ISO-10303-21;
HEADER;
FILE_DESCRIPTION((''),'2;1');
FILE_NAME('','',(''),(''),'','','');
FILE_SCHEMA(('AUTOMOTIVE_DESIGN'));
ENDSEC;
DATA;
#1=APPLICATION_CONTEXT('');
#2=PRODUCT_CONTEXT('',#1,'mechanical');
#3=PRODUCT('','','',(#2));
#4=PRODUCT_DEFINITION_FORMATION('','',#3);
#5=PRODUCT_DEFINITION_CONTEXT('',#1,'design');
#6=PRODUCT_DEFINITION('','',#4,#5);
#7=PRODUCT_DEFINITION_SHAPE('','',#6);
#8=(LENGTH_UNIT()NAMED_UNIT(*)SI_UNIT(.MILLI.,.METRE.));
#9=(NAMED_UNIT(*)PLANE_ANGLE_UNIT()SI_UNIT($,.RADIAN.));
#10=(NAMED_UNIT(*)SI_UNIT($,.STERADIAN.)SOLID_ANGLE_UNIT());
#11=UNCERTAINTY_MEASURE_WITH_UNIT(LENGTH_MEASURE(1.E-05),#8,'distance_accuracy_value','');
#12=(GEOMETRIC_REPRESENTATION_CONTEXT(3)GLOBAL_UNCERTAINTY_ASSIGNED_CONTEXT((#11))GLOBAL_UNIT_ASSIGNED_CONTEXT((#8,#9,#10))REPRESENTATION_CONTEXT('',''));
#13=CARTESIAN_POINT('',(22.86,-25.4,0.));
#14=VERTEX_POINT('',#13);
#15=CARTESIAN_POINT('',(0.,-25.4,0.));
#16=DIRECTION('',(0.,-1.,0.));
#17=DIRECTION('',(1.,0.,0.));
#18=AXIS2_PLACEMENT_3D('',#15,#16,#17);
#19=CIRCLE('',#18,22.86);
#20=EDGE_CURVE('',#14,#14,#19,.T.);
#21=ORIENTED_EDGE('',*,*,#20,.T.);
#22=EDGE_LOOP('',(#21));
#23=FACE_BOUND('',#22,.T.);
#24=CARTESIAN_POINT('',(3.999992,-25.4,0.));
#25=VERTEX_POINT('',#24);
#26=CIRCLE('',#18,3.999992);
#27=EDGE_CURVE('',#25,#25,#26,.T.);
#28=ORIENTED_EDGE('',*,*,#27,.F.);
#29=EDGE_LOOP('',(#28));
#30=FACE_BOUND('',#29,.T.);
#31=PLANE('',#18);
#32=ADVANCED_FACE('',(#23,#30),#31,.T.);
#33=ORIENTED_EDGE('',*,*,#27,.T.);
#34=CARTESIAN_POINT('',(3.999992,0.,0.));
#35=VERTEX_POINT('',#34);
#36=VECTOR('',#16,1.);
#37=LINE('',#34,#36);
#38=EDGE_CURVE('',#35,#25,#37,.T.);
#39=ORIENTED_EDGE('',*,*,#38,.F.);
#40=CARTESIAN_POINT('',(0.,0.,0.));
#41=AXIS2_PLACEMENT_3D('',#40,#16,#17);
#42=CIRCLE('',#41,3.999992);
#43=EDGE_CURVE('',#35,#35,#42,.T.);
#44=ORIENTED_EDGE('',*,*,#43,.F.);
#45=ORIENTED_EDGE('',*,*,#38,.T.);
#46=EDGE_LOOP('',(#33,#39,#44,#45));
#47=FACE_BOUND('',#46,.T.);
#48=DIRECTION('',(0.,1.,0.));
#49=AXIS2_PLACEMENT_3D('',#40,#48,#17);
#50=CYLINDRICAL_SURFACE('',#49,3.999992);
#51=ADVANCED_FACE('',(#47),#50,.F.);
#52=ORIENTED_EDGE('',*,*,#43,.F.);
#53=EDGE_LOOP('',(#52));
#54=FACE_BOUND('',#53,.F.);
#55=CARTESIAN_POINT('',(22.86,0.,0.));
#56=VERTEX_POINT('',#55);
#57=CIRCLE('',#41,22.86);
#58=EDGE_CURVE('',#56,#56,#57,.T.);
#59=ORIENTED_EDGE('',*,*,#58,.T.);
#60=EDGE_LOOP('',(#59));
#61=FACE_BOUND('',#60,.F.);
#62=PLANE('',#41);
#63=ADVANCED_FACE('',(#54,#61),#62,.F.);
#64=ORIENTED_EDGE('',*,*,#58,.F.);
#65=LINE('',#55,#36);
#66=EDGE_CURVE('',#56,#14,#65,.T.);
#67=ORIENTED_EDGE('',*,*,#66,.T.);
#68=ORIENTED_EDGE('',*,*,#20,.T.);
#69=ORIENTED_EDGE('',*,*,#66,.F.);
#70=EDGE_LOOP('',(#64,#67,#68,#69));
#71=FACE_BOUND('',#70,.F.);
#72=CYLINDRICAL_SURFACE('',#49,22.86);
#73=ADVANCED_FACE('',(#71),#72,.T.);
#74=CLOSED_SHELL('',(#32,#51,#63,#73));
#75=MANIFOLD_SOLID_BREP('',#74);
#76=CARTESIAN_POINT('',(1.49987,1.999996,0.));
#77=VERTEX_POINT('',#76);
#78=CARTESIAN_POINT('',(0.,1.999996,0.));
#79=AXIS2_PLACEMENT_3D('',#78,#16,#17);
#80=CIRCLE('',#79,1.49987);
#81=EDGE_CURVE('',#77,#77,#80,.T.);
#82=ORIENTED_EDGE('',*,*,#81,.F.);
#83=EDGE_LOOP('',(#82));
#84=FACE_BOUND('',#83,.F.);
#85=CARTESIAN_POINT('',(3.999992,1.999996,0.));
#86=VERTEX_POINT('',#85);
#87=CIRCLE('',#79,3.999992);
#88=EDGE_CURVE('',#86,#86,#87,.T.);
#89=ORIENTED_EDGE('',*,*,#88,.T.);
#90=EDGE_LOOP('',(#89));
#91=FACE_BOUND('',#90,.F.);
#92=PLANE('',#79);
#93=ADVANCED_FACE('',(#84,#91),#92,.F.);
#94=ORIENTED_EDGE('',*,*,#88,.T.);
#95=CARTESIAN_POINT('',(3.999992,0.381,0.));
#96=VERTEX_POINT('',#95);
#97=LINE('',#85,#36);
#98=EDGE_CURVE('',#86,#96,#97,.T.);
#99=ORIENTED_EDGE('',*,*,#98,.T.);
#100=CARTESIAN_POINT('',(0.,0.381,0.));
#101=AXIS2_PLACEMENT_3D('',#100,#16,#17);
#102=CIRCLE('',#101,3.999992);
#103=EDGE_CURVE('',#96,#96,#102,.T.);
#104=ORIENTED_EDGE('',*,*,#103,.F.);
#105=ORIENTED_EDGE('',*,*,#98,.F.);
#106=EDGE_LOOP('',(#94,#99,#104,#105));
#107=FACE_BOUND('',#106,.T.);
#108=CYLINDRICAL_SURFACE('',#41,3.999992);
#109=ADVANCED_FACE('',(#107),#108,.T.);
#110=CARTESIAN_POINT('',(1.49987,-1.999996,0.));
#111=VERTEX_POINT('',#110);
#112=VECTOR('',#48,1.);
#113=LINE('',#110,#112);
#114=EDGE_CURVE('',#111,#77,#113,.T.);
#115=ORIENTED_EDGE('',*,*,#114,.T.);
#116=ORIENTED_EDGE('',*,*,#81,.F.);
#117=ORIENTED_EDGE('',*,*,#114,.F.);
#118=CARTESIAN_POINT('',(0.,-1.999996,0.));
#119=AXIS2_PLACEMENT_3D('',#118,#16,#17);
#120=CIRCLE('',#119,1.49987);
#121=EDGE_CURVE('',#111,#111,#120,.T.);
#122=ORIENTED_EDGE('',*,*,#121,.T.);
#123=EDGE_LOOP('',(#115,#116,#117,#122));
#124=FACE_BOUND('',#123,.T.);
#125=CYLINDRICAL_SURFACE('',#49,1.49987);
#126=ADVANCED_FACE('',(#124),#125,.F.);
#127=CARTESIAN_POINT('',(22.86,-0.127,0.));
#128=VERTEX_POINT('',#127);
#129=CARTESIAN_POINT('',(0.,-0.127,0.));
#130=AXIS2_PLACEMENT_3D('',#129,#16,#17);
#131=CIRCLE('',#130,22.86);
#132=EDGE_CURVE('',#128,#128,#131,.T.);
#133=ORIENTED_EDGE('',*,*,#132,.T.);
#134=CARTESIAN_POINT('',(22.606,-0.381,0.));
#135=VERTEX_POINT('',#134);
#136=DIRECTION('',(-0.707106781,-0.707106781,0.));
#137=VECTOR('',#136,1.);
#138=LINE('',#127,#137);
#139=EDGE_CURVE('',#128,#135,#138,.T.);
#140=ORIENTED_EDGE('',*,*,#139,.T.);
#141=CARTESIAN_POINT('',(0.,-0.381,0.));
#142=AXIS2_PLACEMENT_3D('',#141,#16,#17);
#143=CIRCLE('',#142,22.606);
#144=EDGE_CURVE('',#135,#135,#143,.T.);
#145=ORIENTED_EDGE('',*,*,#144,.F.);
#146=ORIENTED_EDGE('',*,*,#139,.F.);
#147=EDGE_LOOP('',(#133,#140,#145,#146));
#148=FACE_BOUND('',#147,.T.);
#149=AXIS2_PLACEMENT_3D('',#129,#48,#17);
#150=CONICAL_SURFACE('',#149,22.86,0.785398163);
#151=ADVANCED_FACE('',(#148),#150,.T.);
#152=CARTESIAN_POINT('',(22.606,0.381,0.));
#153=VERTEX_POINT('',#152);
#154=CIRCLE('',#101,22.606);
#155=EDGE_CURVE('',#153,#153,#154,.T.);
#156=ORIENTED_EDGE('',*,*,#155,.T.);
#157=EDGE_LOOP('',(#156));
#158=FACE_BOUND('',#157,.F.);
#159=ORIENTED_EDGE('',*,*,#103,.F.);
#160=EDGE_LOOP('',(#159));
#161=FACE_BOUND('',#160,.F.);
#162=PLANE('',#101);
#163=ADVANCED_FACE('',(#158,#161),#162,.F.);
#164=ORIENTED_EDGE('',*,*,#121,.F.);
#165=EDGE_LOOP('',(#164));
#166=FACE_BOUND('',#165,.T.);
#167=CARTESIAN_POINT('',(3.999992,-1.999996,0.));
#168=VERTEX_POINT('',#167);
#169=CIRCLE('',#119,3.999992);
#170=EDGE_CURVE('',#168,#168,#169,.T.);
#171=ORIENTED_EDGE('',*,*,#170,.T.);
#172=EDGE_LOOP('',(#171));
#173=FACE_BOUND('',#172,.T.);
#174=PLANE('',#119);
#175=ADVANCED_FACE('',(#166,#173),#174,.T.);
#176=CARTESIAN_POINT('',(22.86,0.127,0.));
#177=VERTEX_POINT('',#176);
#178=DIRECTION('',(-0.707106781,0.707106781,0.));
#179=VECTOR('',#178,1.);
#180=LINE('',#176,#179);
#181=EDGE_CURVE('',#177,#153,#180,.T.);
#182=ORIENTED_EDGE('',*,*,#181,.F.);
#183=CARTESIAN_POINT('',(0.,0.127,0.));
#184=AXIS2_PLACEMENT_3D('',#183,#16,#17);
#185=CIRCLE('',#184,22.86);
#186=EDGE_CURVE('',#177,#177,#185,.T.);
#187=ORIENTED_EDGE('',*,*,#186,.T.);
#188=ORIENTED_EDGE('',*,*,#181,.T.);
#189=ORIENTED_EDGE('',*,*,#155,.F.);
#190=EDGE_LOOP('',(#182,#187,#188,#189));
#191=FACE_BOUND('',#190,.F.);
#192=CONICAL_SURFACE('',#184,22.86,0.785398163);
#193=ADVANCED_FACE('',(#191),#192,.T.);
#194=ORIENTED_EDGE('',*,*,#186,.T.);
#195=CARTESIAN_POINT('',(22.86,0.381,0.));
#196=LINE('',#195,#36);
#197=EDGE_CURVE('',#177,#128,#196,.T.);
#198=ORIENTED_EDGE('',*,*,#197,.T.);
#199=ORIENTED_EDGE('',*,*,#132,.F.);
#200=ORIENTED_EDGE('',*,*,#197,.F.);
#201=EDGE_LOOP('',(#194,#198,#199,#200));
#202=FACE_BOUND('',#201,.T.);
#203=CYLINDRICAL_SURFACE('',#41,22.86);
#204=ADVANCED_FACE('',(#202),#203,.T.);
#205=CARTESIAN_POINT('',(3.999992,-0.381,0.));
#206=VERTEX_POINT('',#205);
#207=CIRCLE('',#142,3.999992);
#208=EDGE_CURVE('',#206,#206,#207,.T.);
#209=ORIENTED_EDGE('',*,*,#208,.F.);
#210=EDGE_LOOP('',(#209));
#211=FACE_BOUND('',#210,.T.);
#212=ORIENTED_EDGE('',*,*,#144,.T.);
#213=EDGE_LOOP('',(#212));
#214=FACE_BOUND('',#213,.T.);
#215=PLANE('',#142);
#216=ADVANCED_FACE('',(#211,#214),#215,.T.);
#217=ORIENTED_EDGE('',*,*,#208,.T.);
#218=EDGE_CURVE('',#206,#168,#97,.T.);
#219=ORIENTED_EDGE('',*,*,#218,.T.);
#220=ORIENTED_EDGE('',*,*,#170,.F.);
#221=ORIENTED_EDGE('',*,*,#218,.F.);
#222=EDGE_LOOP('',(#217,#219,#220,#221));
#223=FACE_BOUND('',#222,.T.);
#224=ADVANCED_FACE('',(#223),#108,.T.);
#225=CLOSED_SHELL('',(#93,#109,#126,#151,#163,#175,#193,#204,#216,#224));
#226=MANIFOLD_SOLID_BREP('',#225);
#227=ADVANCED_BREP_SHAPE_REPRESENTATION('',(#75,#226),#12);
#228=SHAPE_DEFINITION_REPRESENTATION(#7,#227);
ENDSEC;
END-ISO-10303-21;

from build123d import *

# Parameters (mm, degrees)
F0_R     = 22.86
F0_R_2   = 3.999992
F1_DEPTH = 0.381
F2_SIZE  = 0.254
F3_R     = 3.999992
F3_R_2   = 1.49987
F4_DEPTH = 1.999996
F5_DEPTH = 25.4


with BuildPart() as f1:
    # F0 (on Front) → F1 (new body, symmetric)
    with BuildSketch(Plane.XZ):
        Circle(F0_R)
        Circle(F0_R_2, mode=Mode.SUBTRACT)
    extrude(amount=F1_DEPTH, both=True)

    # F2
    f2_edges = [f1.edges().sort_by_distance(p)[0] for p in [
        (-22.86, -0.381, 0),
        (-22.86, 0.381, 0),
    ]]
    chamfer(f2_edges, length=F2_SIZE)

    # F3 (on Front) → F4 (join, symmetric)
    with BuildSketch(Plane.XZ):
        Circle(F3_R)
        Circle(F3_R_2, mode=Mode.SUBTRACT)
    extrude(amount=F4_DEPTH, both=True)


with BuildPart() as f5:
    # F0 (on Front) → F5 (new body)
    with BuildSketch(Plane.XZ):
        Circle(F0_R)
        Circle(F0_R_2, mode=Mode.SUBTRACT)
    extrude(amount=F5_DEPTH)


solid = Compound([f1.part, f5.part])
